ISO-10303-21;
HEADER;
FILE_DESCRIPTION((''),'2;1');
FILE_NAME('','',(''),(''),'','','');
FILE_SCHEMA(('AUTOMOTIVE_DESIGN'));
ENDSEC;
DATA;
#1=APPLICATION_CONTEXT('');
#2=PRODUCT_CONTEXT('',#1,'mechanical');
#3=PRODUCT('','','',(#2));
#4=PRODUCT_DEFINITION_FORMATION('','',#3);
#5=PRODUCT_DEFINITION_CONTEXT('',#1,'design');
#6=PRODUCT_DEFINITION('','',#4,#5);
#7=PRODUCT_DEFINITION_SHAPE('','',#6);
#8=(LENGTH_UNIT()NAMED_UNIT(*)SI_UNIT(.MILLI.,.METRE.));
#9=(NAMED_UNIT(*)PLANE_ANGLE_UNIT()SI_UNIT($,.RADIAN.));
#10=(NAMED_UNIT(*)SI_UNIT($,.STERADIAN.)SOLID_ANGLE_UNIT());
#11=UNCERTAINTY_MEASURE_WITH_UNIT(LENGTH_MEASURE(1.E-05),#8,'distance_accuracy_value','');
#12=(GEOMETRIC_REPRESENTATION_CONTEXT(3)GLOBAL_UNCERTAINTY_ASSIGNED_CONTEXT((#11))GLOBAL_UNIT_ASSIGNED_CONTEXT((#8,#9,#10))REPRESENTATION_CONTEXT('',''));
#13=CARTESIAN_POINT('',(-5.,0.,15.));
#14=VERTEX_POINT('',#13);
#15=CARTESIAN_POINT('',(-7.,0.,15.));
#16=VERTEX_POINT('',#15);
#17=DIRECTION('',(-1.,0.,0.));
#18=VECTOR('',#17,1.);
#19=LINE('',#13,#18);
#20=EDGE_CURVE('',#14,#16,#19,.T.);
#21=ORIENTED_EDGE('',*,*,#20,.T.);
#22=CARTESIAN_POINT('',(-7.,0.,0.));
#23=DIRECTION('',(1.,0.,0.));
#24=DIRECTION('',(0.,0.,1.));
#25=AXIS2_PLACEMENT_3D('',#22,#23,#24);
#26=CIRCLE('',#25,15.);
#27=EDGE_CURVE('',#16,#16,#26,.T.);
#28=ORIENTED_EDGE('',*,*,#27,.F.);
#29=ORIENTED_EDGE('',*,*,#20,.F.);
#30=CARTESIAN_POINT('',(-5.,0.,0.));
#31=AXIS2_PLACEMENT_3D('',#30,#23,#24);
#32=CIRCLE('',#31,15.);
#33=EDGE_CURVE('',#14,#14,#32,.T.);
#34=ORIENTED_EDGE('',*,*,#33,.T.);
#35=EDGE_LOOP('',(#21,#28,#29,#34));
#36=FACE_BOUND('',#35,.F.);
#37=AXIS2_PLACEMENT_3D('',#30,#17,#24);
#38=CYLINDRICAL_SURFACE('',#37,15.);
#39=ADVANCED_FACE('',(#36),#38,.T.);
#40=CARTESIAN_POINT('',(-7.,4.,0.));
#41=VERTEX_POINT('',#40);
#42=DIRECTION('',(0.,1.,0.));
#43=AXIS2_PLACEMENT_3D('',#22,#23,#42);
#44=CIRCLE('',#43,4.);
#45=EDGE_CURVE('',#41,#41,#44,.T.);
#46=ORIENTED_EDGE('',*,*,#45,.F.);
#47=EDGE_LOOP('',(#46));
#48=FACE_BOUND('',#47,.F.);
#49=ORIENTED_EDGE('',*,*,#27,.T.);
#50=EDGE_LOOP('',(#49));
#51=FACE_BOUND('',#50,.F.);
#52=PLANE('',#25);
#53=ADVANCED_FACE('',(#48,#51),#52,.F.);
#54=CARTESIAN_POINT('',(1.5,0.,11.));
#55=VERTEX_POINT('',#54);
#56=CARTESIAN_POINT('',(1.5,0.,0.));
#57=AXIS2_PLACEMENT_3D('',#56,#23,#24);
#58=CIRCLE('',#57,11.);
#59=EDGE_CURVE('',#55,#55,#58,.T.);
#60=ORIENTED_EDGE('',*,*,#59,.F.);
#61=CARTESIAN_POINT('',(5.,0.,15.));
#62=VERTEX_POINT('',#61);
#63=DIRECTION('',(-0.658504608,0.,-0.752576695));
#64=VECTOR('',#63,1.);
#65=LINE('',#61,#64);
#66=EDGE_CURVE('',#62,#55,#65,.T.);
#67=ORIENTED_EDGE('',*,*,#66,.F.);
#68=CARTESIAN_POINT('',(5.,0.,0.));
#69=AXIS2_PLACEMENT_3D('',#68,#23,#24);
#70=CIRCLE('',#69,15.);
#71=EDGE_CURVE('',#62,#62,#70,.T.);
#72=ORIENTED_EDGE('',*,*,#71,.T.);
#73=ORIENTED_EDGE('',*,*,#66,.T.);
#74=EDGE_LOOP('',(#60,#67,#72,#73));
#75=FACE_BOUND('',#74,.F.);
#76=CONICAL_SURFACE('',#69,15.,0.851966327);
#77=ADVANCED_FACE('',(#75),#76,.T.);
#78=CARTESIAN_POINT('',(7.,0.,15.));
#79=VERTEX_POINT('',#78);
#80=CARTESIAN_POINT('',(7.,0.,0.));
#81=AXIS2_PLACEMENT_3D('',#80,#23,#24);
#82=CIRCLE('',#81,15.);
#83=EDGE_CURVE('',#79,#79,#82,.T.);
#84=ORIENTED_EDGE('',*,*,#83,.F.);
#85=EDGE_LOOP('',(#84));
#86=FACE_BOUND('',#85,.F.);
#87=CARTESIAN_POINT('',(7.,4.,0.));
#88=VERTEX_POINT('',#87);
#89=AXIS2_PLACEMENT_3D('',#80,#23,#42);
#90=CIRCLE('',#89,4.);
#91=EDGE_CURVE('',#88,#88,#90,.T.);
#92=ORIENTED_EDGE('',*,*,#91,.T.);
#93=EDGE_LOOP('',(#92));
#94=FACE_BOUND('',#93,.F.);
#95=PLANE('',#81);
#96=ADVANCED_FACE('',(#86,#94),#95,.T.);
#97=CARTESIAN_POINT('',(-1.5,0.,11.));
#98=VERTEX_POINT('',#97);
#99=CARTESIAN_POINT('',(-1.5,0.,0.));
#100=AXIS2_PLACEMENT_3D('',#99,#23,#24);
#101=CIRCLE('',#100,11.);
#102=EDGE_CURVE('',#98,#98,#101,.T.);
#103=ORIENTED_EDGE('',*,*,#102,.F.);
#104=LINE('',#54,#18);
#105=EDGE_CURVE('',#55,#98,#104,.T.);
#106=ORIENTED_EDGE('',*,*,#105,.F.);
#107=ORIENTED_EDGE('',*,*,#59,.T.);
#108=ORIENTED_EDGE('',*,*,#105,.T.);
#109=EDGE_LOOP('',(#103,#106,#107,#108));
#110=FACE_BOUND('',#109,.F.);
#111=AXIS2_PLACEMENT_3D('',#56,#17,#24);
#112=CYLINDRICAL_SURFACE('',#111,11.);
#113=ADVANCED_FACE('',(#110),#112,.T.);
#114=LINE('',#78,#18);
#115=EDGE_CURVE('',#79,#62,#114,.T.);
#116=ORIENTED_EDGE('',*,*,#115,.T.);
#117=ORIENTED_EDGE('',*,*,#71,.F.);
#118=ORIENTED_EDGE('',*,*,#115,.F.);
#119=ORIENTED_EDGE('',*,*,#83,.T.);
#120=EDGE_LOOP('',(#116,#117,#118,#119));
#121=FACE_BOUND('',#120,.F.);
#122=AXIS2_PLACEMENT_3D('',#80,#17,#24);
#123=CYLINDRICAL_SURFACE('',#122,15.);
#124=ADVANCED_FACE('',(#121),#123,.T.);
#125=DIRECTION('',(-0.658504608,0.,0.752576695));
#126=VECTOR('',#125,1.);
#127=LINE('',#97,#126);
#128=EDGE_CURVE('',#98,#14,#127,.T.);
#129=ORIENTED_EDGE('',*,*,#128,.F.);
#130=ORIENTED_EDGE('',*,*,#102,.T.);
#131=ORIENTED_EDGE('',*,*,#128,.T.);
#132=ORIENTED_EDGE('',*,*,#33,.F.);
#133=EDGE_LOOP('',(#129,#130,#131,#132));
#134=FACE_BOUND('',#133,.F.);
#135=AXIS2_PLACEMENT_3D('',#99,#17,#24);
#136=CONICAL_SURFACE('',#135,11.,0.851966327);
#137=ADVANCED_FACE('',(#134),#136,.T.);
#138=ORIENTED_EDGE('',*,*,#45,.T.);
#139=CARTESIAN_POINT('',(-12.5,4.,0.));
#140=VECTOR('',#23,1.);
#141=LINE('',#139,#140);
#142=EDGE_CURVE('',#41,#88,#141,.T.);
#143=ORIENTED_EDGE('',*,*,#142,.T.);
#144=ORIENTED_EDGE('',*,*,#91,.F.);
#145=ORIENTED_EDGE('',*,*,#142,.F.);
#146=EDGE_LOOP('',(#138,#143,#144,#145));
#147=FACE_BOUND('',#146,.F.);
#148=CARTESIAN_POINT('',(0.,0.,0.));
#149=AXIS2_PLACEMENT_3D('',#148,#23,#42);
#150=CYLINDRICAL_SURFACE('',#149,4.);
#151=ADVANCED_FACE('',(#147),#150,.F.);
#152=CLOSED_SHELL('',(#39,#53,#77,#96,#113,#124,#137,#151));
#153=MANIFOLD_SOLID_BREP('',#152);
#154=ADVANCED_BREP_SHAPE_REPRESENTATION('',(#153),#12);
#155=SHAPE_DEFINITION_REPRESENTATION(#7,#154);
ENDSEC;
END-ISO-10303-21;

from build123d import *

# Parameters (mm, degrees)
F1_R     = 4
F3_DEPTH = 12.5


with BuildPart() as f2:
    # F0 (on Front) → F2 (revolve)
    with BuildSketch(Plane.XZ):
        Polygon((0, 11), (0, 0), (7, 0), (7, 15), (5, 15), (1.5, 11), align=None)
        Polygon((-7, 0), (0, 0), (0, 11), (-1.5, 11), (-5, 15), (-7, 15), align=None)
    revolve(axis=Axis((0, 0, 0), (1, 0, 0)))

    # F1 (on Right) → F3 (cut, symmetric)
    with BuildSketch(Plane.YZ):
        Circle(F1_R)
    extrude(amount=F3_DEPTH, both=True, mode=Mode.SUBTRACT)


solid = f2.part
